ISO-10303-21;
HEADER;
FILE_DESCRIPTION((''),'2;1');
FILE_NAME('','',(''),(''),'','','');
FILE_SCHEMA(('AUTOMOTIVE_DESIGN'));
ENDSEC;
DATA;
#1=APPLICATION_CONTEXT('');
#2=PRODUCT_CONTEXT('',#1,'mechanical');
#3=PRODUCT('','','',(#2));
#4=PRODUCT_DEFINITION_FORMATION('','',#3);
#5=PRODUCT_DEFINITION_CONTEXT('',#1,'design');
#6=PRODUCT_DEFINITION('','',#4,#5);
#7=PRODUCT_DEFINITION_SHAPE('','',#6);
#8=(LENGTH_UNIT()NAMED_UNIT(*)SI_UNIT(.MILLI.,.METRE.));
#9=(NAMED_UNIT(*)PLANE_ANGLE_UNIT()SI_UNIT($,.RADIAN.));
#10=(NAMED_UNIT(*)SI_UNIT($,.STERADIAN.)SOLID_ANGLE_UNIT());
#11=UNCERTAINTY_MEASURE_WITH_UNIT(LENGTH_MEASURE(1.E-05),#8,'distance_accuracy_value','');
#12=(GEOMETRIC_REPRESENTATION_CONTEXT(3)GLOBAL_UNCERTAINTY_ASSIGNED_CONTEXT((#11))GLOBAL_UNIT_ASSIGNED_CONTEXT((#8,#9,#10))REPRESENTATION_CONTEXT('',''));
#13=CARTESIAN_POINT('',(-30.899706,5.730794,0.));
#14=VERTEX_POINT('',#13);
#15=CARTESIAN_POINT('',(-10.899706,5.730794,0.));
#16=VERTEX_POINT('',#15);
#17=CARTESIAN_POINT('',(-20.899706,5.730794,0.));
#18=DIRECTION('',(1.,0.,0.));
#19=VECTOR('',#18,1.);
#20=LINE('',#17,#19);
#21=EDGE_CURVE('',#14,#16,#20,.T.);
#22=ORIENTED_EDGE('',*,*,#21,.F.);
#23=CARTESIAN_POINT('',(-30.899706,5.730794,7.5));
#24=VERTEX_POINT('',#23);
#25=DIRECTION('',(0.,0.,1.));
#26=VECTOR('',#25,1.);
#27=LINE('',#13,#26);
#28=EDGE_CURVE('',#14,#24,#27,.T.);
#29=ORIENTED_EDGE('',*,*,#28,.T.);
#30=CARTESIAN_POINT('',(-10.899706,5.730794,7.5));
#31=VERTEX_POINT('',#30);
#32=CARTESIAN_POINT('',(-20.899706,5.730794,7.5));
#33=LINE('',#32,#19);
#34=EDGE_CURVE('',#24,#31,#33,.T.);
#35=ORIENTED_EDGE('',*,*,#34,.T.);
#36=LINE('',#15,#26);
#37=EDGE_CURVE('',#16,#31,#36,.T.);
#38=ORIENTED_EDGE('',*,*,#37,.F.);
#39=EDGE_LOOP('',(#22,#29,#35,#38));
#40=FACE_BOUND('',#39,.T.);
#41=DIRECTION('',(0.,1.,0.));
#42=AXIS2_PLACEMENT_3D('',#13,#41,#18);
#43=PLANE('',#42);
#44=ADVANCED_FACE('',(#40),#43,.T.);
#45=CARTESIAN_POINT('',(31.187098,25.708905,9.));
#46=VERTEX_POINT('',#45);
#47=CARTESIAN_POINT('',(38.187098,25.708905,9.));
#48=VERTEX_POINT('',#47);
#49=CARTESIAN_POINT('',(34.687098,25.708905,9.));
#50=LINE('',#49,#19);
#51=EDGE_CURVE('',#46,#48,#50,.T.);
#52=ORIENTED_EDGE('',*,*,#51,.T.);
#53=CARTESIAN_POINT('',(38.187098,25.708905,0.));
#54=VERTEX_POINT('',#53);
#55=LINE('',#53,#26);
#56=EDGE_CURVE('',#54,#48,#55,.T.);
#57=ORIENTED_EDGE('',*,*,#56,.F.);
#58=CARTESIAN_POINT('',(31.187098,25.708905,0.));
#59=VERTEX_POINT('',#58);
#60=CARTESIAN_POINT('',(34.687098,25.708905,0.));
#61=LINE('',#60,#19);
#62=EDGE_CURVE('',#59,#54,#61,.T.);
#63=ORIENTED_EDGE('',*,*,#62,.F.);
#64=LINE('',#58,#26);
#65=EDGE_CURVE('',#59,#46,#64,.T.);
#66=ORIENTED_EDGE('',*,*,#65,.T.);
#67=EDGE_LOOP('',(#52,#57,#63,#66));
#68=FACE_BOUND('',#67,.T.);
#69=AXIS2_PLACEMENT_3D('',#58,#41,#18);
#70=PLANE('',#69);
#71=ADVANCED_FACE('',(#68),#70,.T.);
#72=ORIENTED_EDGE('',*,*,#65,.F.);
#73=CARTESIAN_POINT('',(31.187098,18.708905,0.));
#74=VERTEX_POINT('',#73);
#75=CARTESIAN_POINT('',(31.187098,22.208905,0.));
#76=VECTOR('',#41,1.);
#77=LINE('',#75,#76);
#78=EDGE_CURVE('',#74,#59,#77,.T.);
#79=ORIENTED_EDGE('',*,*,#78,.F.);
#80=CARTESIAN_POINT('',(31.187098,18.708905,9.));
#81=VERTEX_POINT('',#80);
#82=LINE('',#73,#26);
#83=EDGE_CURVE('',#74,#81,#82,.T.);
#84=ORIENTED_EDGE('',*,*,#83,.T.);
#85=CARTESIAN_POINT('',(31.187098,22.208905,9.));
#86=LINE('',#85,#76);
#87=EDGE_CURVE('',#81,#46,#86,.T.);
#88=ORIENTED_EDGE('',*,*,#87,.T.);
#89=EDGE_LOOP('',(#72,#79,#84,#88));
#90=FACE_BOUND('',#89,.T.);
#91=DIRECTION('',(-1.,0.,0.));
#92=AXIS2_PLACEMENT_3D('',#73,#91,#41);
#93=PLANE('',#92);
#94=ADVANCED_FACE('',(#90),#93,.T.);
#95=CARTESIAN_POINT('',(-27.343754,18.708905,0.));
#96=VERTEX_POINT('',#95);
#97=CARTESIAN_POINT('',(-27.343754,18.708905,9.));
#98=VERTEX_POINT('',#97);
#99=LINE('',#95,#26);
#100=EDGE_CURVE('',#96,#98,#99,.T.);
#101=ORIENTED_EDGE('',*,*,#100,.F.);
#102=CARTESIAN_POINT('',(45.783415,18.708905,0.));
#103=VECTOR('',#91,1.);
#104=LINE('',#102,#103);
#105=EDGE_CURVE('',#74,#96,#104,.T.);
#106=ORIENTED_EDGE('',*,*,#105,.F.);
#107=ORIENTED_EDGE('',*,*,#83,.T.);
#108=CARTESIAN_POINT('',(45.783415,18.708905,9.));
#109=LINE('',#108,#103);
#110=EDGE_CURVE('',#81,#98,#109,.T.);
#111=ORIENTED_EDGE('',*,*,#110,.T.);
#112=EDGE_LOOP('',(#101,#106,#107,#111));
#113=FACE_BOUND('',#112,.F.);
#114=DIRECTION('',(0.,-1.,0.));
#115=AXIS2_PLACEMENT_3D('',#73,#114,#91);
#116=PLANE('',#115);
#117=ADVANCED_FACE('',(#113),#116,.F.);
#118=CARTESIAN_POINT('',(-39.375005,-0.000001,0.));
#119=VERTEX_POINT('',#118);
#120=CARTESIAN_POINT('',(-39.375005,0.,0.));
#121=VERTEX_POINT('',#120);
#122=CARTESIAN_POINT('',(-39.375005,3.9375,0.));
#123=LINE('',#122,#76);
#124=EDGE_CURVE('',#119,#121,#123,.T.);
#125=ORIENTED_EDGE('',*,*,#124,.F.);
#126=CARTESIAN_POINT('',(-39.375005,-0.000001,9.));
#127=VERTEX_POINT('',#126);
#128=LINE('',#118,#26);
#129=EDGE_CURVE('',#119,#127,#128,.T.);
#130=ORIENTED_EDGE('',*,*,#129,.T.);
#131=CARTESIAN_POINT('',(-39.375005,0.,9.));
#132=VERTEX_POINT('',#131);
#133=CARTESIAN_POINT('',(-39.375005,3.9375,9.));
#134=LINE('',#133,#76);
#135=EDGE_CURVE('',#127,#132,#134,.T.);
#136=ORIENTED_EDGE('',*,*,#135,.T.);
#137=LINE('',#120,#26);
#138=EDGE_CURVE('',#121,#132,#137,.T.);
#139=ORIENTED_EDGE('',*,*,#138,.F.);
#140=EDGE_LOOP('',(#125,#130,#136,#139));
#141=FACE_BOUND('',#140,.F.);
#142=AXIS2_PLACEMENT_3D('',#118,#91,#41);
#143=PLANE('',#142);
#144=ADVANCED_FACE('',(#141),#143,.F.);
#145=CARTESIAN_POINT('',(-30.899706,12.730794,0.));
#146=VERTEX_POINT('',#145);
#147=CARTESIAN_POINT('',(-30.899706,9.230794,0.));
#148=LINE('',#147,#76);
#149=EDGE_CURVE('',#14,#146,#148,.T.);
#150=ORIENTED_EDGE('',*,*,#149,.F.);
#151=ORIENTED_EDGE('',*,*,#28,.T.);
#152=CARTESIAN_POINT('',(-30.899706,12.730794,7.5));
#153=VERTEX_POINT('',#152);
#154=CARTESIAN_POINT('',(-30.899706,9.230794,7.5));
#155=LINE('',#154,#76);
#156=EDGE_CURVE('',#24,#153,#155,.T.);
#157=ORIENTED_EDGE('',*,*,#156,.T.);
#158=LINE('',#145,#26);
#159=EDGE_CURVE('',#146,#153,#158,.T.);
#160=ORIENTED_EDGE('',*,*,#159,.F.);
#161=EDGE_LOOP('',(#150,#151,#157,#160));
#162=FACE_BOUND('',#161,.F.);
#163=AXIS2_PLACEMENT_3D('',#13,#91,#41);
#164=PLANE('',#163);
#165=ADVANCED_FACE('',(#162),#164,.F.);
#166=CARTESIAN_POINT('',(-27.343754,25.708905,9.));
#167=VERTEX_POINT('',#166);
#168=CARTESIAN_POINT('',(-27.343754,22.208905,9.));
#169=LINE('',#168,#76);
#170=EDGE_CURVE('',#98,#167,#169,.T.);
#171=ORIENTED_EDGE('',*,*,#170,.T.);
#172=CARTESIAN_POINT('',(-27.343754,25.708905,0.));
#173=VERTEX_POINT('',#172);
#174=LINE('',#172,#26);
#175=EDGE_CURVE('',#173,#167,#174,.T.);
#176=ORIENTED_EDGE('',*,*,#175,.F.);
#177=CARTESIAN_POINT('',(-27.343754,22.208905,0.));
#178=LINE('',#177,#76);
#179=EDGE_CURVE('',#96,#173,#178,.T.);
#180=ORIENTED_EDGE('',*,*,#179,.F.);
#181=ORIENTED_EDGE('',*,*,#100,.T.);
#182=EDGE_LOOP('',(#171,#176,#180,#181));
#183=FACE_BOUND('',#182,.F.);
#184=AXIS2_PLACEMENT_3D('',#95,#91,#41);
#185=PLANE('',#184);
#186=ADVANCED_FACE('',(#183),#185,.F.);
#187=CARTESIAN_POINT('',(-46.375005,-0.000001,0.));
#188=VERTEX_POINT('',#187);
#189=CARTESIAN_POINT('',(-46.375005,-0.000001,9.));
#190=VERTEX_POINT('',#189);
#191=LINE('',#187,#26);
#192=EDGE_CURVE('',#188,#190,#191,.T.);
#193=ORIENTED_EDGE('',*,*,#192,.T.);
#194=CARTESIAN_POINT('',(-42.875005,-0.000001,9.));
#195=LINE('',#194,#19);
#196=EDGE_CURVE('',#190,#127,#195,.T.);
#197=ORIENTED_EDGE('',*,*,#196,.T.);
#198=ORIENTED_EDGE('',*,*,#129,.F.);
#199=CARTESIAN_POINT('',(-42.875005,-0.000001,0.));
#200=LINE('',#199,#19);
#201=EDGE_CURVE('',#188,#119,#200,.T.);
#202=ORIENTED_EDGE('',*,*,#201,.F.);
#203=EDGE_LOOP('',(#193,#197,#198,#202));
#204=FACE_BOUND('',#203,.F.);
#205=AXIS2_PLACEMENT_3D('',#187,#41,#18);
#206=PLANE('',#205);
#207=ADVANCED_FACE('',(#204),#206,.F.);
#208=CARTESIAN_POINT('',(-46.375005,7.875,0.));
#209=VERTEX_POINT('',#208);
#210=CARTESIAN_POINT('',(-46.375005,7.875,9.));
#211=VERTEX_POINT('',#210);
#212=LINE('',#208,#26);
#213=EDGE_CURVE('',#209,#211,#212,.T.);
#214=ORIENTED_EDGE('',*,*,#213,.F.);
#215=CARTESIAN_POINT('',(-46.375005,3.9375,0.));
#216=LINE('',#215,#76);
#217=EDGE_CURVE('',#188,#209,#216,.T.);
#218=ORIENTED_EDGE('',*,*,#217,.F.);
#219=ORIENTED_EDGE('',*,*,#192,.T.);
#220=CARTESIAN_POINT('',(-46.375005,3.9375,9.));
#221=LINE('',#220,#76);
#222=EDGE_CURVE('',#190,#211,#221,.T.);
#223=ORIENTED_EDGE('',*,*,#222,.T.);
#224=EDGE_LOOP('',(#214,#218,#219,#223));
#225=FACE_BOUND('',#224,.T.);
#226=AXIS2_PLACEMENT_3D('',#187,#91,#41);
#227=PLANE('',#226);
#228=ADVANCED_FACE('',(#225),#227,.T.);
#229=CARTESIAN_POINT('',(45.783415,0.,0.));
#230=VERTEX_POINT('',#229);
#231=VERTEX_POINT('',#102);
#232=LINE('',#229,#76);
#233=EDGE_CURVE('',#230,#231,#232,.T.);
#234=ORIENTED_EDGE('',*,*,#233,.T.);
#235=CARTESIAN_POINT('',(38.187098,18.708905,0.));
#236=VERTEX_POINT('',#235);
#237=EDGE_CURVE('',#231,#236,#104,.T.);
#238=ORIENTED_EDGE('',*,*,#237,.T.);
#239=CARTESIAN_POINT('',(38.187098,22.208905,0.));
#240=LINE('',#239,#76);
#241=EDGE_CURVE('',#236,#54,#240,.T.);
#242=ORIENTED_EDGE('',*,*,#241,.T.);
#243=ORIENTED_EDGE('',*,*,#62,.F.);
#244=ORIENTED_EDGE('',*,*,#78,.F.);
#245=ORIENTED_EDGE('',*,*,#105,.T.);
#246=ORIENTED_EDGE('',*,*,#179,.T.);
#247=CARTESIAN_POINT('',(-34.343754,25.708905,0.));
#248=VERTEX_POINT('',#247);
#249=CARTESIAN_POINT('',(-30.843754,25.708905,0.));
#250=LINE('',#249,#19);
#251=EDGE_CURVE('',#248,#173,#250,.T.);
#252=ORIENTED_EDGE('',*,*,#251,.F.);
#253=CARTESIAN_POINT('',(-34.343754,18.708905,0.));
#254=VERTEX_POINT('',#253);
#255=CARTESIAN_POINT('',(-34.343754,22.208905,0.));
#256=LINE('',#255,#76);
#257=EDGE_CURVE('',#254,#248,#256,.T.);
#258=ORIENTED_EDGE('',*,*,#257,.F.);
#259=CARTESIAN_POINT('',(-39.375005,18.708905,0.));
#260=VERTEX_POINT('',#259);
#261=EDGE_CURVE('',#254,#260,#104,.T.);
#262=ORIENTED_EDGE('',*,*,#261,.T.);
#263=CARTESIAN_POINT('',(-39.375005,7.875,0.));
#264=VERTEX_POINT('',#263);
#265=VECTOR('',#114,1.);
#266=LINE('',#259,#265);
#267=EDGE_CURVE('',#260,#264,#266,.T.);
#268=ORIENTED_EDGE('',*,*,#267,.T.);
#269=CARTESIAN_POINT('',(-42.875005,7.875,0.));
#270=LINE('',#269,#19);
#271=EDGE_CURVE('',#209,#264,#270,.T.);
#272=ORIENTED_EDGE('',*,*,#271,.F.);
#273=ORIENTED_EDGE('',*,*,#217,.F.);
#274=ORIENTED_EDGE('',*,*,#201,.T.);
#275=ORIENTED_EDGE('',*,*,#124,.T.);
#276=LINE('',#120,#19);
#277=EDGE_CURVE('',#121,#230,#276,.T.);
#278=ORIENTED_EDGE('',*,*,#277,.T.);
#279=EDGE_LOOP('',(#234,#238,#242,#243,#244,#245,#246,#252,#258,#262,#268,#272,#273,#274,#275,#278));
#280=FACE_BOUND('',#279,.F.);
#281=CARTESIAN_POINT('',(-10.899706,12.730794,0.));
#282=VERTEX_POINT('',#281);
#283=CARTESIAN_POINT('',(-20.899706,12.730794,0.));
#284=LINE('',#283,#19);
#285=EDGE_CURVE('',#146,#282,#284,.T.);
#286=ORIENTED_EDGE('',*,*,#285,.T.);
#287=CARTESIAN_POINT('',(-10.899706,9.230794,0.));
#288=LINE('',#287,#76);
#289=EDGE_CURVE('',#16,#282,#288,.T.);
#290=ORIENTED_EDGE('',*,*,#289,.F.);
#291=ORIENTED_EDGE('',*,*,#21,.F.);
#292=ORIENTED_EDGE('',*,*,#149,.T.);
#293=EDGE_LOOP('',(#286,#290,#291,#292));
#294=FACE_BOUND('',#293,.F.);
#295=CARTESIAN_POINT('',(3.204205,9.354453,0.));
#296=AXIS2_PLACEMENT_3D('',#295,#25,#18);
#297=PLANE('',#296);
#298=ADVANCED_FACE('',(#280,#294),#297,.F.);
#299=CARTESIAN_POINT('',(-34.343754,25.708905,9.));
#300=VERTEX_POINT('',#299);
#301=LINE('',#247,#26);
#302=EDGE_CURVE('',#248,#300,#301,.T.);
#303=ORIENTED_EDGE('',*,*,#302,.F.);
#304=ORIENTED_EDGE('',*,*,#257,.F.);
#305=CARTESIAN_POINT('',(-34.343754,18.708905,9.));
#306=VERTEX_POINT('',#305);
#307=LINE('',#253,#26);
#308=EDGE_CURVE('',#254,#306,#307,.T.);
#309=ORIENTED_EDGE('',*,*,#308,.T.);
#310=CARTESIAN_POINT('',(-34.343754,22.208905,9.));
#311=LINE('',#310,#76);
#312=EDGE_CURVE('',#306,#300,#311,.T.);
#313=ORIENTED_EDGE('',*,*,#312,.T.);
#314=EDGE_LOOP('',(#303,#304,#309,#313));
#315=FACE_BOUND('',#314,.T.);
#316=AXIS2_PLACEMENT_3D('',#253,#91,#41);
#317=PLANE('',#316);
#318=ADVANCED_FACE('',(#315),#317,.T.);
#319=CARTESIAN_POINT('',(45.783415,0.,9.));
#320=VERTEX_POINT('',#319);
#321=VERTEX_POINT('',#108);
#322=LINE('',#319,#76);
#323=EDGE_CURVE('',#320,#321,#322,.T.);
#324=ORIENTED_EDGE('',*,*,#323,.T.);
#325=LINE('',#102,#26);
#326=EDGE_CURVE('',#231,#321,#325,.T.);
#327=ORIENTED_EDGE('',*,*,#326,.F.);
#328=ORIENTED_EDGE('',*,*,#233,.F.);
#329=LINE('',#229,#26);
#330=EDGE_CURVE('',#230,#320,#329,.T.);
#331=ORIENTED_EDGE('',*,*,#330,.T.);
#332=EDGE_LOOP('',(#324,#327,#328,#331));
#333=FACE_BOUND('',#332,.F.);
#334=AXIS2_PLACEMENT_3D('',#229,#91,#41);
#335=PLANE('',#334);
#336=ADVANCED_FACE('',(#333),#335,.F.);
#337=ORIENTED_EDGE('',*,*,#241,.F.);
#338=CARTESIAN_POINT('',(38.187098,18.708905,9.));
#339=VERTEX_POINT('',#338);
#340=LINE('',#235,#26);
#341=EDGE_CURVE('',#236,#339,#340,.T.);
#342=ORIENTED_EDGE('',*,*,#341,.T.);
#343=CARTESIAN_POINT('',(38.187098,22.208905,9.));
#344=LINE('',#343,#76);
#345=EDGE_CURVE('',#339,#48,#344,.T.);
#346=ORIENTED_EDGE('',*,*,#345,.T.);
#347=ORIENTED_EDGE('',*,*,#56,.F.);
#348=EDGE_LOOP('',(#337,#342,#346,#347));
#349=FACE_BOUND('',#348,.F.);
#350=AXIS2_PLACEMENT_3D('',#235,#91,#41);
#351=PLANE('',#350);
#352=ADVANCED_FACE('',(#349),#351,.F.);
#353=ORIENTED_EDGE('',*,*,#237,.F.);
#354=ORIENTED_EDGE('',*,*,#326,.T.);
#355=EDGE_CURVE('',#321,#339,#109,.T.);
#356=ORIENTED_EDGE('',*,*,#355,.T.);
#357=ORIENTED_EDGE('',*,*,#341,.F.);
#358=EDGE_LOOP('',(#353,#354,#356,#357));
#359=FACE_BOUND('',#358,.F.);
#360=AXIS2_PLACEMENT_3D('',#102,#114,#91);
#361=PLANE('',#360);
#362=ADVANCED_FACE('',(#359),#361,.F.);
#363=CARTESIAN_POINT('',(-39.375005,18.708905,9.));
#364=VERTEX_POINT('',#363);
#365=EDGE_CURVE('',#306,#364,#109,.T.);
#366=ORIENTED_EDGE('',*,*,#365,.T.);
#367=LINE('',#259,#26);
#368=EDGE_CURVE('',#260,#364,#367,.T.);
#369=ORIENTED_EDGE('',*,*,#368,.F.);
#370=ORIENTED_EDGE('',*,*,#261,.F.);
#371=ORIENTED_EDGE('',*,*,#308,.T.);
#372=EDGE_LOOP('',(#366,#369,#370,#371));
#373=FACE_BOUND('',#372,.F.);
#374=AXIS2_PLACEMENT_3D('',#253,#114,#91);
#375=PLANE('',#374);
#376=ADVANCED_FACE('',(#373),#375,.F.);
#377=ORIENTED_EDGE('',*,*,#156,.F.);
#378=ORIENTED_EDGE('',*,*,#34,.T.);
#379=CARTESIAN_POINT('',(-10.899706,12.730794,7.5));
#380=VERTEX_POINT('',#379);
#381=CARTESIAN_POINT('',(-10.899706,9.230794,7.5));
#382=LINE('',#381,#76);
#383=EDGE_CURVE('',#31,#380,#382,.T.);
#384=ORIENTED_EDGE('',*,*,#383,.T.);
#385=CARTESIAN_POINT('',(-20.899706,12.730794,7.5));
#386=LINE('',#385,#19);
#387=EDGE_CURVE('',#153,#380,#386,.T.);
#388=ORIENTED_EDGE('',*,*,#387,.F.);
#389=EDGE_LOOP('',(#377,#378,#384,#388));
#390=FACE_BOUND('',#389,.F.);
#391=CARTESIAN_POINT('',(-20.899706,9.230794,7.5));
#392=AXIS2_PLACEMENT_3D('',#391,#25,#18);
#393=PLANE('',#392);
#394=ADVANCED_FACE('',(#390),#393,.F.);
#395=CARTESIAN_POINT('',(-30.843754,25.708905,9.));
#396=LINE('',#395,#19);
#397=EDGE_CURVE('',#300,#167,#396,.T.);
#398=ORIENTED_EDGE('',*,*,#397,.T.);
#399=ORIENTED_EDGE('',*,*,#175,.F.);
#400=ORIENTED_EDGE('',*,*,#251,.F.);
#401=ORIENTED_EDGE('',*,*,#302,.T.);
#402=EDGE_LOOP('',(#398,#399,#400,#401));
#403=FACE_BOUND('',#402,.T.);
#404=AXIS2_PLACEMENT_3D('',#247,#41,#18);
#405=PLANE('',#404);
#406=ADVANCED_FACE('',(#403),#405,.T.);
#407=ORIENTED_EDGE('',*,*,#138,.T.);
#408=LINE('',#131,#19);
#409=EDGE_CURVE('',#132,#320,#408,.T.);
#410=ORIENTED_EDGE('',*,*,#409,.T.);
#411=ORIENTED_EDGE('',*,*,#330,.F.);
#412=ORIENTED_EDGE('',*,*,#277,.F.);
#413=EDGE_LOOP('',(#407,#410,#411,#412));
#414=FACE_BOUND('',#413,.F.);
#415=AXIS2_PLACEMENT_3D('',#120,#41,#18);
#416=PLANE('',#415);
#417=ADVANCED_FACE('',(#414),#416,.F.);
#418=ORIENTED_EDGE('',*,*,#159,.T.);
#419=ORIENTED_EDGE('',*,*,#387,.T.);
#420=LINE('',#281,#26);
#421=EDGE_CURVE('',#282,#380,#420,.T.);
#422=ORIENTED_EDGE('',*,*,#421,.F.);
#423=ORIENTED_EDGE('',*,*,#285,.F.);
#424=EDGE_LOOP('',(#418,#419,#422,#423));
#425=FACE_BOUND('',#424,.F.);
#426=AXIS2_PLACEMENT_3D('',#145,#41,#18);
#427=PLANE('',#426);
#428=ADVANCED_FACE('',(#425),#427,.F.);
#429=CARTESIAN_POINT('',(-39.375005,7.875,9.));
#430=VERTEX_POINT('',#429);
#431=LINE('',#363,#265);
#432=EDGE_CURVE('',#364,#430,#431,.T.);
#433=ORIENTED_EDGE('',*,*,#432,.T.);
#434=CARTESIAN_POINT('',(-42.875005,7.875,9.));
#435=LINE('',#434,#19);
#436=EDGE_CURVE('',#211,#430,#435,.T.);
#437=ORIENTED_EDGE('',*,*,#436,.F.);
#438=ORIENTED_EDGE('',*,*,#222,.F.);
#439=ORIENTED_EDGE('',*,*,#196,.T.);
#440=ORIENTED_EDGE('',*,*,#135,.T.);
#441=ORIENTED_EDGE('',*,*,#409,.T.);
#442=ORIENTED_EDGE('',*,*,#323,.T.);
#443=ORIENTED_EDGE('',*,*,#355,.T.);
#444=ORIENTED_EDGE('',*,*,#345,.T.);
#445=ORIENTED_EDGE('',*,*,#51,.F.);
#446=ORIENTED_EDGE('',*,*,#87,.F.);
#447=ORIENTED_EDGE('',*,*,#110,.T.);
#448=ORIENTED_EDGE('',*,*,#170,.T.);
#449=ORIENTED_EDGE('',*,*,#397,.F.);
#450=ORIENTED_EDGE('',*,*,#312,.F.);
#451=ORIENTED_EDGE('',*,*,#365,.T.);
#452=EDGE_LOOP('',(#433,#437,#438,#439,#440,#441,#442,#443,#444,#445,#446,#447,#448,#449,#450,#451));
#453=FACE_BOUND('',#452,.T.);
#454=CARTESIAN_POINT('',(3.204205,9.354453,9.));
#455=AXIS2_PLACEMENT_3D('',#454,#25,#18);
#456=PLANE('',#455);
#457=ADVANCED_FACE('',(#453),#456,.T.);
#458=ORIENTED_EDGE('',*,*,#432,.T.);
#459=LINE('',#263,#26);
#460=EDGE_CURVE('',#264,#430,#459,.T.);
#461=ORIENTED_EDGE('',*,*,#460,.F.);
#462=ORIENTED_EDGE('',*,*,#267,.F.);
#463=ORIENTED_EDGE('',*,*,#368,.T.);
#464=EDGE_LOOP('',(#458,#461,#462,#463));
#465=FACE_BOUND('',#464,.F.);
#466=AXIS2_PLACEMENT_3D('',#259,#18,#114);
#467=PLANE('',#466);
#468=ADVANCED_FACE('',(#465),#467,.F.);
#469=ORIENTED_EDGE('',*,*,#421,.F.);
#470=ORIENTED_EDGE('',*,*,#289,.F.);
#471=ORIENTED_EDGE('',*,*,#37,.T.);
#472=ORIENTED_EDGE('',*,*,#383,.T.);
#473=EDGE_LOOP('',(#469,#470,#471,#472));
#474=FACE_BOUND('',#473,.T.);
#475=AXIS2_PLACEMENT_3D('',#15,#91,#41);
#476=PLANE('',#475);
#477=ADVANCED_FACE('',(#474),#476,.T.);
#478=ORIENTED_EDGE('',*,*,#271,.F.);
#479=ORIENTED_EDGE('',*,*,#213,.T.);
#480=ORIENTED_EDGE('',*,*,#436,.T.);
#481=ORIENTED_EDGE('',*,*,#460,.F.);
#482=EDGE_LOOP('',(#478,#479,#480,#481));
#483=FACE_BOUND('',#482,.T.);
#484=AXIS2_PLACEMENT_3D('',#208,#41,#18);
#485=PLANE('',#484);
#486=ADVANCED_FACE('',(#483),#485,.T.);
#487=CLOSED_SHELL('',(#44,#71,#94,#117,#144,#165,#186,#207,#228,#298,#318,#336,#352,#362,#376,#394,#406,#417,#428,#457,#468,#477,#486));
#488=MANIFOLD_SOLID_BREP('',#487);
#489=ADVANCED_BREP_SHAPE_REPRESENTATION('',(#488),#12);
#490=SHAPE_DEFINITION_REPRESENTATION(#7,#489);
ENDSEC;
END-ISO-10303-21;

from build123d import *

# Parameters (mm, degrees)
F0_W     = 20
F0_H     = 7
F0_W_2   = 7
F0_H_2   = 7.875001
F1_DEPTH = 9
F2_DEPTH = 7.5


with BuildPart() as f1:
    # F0 (on Top) → F1 (new body)
    with BuildSketch(Plane.XY):
        Polygon((-39.375005, 7.875001), (-39.375005, 0), (45.783415, 0), (45.783415, 18.708905), (38.187098, 18.708905), (31.187098, 18.708905), (-27.343754, 18.708905), (-34.343754, 18.708905), (-39.375005, 18.708905), align=None)
        with Locations((-20.899706, 9.230794)):
            Rectangle(F0_W, F0_H, mode=Mode.SUBTRACT)
        with Locations((-42.875005, 3.9375)):
            Rectangle(F0_W_2, F0_H_2)
        with Locations((34.687098, 22.208905)):
            Rectangle(F0_W_2, F0_H)
        with Locations((-30.843754, 22.208905)):
            Rectangle(F0_W_2, F0_H)
        with Locations((-20.899706, 9.230794)):
            Rectangle(F0_W, F0_H)
    extrude(amount=F1_DEPTH)

    # F0 (on Top) → F2 (cut)
    with BuildSketch(Plane.XY):
        with Locations((-20.899706, 9.230794)):
            Rectangle(F0_W, F0_H)
    extrude(amount=F2_DEPTH, mode=Mode.SUBTRACT)


solid = f1.part
